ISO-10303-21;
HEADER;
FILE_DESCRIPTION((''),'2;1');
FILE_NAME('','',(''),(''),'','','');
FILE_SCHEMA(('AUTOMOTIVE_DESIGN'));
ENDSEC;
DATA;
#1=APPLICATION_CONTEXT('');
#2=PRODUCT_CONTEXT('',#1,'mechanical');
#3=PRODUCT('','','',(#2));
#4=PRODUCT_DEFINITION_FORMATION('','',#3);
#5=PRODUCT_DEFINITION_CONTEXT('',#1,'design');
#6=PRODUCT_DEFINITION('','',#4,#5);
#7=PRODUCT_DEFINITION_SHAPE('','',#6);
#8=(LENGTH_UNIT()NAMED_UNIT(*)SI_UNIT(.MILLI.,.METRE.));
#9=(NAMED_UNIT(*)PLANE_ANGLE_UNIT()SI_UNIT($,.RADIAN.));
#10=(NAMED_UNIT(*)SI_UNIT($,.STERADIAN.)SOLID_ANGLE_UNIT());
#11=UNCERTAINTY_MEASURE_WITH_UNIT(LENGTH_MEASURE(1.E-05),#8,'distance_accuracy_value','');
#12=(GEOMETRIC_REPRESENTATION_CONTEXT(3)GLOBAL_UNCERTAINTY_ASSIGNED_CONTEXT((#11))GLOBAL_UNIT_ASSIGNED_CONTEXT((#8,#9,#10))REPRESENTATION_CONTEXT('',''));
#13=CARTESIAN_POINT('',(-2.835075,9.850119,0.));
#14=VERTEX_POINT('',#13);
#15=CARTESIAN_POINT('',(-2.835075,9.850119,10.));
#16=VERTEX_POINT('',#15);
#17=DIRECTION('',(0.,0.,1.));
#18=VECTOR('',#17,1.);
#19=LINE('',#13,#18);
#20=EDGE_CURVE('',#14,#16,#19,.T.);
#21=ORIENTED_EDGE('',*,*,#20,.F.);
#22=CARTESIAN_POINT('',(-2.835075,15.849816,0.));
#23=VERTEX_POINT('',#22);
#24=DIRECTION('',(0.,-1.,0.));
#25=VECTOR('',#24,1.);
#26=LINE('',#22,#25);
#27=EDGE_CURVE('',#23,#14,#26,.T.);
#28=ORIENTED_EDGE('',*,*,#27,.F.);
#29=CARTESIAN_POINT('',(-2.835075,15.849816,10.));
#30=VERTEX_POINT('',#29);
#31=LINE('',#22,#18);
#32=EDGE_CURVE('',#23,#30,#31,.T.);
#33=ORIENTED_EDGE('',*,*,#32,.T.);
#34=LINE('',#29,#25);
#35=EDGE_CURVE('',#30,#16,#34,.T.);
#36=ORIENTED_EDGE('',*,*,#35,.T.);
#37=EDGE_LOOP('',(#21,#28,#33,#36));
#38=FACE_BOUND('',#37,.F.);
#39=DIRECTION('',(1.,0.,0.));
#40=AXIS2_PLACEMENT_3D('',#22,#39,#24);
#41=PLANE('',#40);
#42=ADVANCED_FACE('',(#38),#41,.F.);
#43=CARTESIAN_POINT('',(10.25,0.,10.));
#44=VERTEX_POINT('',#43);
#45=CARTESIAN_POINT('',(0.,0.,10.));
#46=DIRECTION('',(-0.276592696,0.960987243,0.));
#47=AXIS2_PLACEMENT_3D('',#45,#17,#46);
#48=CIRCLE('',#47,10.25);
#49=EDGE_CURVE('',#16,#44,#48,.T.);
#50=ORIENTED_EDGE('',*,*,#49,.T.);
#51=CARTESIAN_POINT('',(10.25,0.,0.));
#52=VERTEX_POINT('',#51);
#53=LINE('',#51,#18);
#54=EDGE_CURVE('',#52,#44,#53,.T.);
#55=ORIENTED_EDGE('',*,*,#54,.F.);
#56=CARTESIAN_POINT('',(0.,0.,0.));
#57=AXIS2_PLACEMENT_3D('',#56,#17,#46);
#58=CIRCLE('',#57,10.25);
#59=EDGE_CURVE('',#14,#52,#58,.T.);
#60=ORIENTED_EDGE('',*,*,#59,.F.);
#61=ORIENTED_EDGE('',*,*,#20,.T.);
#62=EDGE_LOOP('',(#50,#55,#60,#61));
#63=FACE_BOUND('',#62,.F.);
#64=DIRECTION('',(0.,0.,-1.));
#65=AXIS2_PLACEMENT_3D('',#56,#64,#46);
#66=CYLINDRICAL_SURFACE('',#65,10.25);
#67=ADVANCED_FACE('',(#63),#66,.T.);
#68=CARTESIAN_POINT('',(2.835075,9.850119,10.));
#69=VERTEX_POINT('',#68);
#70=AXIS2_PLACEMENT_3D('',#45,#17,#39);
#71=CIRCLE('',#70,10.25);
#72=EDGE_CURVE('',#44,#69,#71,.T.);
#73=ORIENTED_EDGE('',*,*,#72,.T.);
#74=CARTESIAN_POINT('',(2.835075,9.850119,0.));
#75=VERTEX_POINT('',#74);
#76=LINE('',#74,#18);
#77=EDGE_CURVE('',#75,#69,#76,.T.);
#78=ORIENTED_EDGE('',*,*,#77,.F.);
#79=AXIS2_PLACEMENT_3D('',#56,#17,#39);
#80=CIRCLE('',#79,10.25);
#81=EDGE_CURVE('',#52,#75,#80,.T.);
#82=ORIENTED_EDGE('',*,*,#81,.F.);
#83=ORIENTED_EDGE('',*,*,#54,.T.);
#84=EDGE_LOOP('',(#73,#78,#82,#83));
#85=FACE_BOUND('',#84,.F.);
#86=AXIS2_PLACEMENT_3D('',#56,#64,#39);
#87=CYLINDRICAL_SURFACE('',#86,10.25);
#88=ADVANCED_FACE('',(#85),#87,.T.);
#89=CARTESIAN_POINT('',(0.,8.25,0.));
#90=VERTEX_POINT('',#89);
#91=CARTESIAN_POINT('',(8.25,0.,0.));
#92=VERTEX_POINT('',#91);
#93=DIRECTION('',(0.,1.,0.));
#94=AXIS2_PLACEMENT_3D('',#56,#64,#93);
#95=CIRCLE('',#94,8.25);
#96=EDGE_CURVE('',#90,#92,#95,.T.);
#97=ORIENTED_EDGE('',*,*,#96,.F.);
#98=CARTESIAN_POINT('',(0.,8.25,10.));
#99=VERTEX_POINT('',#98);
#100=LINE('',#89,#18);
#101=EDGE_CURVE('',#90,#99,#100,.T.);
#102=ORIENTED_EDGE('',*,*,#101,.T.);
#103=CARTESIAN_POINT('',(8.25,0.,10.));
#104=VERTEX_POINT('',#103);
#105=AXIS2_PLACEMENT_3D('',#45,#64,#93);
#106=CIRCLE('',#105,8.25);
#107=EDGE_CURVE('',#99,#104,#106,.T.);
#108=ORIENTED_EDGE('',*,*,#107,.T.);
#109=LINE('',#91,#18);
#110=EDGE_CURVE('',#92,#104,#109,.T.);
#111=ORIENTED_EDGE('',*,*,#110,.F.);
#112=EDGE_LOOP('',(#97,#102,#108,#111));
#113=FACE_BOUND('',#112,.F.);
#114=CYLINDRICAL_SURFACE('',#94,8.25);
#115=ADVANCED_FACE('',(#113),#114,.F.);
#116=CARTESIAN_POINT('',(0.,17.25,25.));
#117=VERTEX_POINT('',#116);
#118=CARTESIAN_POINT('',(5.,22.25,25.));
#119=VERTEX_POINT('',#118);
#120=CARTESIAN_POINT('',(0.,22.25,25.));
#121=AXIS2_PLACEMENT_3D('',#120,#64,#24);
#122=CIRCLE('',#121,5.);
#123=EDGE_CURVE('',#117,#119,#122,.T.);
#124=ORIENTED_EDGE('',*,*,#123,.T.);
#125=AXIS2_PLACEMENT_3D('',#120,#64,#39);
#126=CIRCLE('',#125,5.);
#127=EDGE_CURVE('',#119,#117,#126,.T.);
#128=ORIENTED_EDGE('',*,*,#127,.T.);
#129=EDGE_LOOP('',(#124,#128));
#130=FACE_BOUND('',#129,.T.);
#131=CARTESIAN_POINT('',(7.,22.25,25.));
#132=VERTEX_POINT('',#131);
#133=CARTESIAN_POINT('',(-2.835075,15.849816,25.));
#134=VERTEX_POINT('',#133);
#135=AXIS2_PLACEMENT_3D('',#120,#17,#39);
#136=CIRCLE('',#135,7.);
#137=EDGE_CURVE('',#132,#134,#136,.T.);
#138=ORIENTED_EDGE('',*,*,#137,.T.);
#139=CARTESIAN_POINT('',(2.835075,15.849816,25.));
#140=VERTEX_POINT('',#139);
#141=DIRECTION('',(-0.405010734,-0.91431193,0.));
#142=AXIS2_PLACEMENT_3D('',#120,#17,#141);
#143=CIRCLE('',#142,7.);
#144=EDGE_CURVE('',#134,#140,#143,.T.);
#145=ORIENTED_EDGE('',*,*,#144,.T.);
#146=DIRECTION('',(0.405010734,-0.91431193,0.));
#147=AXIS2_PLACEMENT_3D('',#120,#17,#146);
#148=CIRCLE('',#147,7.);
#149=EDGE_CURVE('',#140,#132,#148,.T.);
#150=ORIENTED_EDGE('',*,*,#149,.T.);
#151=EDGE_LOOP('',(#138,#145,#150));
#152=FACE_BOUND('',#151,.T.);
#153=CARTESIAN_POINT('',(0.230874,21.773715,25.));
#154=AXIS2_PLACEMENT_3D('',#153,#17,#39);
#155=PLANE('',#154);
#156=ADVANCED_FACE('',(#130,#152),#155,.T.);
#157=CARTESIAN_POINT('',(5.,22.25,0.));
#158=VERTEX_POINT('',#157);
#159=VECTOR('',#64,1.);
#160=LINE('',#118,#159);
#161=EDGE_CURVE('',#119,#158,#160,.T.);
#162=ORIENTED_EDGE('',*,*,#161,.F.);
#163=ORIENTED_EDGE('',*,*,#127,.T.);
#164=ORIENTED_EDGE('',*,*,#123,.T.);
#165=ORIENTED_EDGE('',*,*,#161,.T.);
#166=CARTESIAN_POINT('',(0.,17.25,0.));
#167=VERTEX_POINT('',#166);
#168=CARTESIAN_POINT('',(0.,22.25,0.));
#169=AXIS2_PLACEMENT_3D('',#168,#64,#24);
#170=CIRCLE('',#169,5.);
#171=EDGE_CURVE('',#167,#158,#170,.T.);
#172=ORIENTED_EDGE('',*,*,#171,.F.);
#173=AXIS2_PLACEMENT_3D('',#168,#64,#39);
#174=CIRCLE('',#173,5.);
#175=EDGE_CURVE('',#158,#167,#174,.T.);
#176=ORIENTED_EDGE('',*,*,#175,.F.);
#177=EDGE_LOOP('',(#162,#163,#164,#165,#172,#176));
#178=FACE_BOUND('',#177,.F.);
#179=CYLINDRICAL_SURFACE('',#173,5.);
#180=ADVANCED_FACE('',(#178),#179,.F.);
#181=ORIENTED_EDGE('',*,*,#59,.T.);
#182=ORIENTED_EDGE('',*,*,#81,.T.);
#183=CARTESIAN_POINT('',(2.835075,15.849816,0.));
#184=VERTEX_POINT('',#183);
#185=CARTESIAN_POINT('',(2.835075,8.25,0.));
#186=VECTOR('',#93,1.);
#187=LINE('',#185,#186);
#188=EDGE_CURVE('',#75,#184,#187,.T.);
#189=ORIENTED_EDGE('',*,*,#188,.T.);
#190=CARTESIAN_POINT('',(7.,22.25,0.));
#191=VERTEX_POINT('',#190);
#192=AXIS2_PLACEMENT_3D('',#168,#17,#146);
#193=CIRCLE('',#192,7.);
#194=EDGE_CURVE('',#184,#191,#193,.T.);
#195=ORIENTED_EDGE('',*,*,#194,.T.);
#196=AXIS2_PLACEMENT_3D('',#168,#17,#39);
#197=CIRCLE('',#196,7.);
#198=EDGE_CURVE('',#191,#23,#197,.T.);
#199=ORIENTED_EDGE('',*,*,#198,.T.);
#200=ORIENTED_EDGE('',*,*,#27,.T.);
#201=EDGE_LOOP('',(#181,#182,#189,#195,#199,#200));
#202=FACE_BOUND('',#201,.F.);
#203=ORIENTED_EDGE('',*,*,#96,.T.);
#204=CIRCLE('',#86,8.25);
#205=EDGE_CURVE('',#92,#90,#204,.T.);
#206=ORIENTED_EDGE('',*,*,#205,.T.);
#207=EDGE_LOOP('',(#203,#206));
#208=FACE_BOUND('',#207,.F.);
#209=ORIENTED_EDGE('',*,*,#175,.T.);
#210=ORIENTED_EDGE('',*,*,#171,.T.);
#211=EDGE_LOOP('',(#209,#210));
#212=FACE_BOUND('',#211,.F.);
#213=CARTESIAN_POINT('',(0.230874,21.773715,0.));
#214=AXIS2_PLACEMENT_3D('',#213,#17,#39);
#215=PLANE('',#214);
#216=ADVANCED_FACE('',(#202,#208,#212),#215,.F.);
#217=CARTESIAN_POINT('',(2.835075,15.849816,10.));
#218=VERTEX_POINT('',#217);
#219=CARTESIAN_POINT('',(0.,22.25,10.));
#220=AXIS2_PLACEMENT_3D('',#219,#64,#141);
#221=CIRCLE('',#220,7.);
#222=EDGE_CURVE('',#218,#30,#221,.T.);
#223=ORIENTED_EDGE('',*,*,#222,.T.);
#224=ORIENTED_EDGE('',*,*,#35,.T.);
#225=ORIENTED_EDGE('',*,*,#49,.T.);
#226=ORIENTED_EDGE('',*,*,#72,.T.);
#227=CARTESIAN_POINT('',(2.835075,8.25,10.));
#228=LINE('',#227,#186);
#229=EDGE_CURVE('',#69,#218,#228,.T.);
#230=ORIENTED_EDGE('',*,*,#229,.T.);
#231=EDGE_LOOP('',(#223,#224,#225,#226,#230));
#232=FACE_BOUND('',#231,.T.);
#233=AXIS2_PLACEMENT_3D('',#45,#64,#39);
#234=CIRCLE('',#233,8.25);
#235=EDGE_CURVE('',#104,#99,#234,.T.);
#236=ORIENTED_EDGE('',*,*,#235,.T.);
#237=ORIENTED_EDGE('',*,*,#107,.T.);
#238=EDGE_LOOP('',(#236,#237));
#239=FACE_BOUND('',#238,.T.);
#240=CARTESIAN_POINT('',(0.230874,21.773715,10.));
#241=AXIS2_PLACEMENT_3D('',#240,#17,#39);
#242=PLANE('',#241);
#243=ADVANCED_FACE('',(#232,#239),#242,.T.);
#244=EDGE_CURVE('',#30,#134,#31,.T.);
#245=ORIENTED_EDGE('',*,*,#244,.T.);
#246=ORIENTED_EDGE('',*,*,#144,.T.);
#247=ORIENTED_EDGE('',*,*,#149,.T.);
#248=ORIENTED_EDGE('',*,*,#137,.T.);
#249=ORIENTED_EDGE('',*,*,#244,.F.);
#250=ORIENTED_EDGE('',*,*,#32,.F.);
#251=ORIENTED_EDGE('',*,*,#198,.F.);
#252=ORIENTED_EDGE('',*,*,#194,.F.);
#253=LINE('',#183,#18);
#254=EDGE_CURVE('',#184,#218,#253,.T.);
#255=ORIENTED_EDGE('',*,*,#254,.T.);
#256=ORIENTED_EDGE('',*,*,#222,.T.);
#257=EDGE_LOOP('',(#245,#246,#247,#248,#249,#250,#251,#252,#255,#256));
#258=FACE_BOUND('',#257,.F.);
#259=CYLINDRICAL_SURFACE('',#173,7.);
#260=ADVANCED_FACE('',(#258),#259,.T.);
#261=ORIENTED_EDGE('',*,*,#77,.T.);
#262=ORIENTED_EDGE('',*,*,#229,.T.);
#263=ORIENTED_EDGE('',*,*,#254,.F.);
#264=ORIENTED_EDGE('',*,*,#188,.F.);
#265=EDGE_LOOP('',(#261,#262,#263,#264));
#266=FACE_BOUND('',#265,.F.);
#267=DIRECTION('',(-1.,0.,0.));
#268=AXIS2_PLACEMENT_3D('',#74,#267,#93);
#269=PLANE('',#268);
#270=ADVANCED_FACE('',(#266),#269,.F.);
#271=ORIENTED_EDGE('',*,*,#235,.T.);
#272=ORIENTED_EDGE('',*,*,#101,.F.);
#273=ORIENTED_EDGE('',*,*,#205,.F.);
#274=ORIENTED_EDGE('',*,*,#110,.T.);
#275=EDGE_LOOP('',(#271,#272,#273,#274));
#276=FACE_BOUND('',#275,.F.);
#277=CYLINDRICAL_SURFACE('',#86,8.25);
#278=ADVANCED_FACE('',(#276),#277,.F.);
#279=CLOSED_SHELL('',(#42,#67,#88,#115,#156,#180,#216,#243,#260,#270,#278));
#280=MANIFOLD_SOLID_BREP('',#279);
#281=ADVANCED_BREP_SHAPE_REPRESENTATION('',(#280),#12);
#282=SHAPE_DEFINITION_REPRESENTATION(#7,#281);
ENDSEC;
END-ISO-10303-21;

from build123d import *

# Parameters (mm, degrees)
F1_DEPTH = 10
F2_DEPTH = 25


with BuildPart() as f1:
    # F0 (on Top) → F1 (new body)
    with BuildSketch(Plane.XY):
        with BuildLine():
            Line((2.8350751381, 17.25), (2.8350751381, 15.84981649))
            ThreePointArc((2.8350751381, 15.84981649), (5.8670915268, 18.4319851995), (7, 22.25))
            ThreePointArc((7, 22.25), (-3.8180148005, 28.1170915268), (-2.8350751381, 15.84981649))
            Line((-2.8350751381, 15.84981649), (-2.8350751381, 17.25))
            Line((-2.8350751381, 17.25), (0, 17.25))
            Line((0, 17.25), (2.8350751381, 17.25))
        make_face()
        with BuildLine():
            ThreePointArc((5, 22.25), (3.5355339059, 18.7144660941), (0, 17.25))
            ThreePointArc((0, 17.25), (-3.5355339059, 25.7855339059), (5, 22.25))
        make_face(mode=Mode.SUBTRACT)
        with BuildLine():
            ThreePointArc((-2.8350751381, 15.84981649), (0, 15.25), (2.8350751381, 15.84981649))
            Line((2.8350751381, 15.84981649), (2.8350751381, 17.25))
            Line((2.8350751381, 17.25), (0, 17.25))
            Line((0, 17.25), (-2.8350751381, 17.25))
            Line((-2.8350751381, 17.25), (-2.8350751381, 15.84981649))
        make_face()
        with BuildLine():
            ThreePointArc((-2.8350751381, 9.8501192359), (0, 10.25), (2.8350751381, 9.8501192359))
            Line((2.8350751381, 9.8501192359), (2.8350751381, 15.84981649))
            ThreePointArc((2.8350751381, 15.84981649), (0, 15.25), (-2.8350751381, 15.84981649))
            Line((-2.8350751381, 15.84981649), (-2.8350751381, 9.8501192359))
        make_face()
        with BuildLine():
            Line((-2.8350751381, 8.25), (0, 8.25))
            Line((0, 8.25), (2.8350751381, 8.25))
            Line((2.8350751381, 8.25), (2.8350751381, 9.8501192359))
            ThreePointArc((2.8350751381, 9.8501192359), (0, 10.25), (-2.8350751381, 9.8501192359))
            Line((-2.8350751381, 9.8501192359), (-2.8350751381, 8.25))
        make_face()
        with BuildLine():
            Line((2.8350751381, 8.25), (0, 8.25))
            Line((0, 8.25), (-2.8350751381, 8.25))
            Line((-2.8350751381, 8.25), (-2.8350751381, 9.8501192359))
            ThreePointArc((-2.8350751381, 9.8501192359), (-6.16453485, -8.1890787078), (10.25, 0))
            ThreePointArc((10.25, 0), (8.1890787078, 6.16453485), (2.8350751381, 9.8501192359))
            Line((2.8350751381, 9.8501192359), (2.8350751381, 8.25))
        make_face()
        with BuildLine():
            ThreePointArc((0, 8.25), (5.8336309448, 5.8336309448), (8.25, 0))
            ThreePointArc((8.25, 0), (-5.8336309448, -5.8336309448), (0, 8.25))
        make_face(mode=Mode.SUBTRACT)
    extrude(amount=F1_DEPTH)

    # F0 (on Top) → F2 (join)
    with BuildSketch(Plane.XY):
        with BuildLine():
            Line((2.8350751381, 17.25), (2.8350751381, 15.84981649))
            ThreePointArc((2.8350751381, 15.84981649), (5.8670915268, 18.4319851995), (7, 22.25))
            ThreePointArc((7, 22.25), (-3.8180148005, 28.1170915268), (-2.8350751381, 15.84981649))
            Line((-2.8350751381, 15.84981649), (-2.8350751381, 17.25))
            Line((-2.8350751381, 17.25), (0, 17.25))
            Line((0, 17.25), (2.8350751381, 17.25))
        make_face()
        with BuildLine():
            ThreePointArc((5, 22.25), (3.5355339059, 18.7144660941), (0, 17.25))
            ThreePointArc((0, 17.25), (-3.5355339059, 25.7855339059), (5, 22.25))
        make_face(mode=Mode.SUBTRACT)
        with BuildLine():
            ThreePointArc((-2.8350751381, 15.84981649), (0, 15.25), (2.8350751381, 15.84981649))
            Line((2.8350751381, 15.84981649), (2.8350751381, 17.25))
            Line((2.8350751381, 17.25), (0, 17.25))
            Line((0, 17.25), (-2.8350751381, 17.25))
            Line((-2.8350751381, 17.25), (-2.8350751381, 15.84981649))
        make_face()
    extrude(amount=F2_DEPTH)


solid = f1.part
